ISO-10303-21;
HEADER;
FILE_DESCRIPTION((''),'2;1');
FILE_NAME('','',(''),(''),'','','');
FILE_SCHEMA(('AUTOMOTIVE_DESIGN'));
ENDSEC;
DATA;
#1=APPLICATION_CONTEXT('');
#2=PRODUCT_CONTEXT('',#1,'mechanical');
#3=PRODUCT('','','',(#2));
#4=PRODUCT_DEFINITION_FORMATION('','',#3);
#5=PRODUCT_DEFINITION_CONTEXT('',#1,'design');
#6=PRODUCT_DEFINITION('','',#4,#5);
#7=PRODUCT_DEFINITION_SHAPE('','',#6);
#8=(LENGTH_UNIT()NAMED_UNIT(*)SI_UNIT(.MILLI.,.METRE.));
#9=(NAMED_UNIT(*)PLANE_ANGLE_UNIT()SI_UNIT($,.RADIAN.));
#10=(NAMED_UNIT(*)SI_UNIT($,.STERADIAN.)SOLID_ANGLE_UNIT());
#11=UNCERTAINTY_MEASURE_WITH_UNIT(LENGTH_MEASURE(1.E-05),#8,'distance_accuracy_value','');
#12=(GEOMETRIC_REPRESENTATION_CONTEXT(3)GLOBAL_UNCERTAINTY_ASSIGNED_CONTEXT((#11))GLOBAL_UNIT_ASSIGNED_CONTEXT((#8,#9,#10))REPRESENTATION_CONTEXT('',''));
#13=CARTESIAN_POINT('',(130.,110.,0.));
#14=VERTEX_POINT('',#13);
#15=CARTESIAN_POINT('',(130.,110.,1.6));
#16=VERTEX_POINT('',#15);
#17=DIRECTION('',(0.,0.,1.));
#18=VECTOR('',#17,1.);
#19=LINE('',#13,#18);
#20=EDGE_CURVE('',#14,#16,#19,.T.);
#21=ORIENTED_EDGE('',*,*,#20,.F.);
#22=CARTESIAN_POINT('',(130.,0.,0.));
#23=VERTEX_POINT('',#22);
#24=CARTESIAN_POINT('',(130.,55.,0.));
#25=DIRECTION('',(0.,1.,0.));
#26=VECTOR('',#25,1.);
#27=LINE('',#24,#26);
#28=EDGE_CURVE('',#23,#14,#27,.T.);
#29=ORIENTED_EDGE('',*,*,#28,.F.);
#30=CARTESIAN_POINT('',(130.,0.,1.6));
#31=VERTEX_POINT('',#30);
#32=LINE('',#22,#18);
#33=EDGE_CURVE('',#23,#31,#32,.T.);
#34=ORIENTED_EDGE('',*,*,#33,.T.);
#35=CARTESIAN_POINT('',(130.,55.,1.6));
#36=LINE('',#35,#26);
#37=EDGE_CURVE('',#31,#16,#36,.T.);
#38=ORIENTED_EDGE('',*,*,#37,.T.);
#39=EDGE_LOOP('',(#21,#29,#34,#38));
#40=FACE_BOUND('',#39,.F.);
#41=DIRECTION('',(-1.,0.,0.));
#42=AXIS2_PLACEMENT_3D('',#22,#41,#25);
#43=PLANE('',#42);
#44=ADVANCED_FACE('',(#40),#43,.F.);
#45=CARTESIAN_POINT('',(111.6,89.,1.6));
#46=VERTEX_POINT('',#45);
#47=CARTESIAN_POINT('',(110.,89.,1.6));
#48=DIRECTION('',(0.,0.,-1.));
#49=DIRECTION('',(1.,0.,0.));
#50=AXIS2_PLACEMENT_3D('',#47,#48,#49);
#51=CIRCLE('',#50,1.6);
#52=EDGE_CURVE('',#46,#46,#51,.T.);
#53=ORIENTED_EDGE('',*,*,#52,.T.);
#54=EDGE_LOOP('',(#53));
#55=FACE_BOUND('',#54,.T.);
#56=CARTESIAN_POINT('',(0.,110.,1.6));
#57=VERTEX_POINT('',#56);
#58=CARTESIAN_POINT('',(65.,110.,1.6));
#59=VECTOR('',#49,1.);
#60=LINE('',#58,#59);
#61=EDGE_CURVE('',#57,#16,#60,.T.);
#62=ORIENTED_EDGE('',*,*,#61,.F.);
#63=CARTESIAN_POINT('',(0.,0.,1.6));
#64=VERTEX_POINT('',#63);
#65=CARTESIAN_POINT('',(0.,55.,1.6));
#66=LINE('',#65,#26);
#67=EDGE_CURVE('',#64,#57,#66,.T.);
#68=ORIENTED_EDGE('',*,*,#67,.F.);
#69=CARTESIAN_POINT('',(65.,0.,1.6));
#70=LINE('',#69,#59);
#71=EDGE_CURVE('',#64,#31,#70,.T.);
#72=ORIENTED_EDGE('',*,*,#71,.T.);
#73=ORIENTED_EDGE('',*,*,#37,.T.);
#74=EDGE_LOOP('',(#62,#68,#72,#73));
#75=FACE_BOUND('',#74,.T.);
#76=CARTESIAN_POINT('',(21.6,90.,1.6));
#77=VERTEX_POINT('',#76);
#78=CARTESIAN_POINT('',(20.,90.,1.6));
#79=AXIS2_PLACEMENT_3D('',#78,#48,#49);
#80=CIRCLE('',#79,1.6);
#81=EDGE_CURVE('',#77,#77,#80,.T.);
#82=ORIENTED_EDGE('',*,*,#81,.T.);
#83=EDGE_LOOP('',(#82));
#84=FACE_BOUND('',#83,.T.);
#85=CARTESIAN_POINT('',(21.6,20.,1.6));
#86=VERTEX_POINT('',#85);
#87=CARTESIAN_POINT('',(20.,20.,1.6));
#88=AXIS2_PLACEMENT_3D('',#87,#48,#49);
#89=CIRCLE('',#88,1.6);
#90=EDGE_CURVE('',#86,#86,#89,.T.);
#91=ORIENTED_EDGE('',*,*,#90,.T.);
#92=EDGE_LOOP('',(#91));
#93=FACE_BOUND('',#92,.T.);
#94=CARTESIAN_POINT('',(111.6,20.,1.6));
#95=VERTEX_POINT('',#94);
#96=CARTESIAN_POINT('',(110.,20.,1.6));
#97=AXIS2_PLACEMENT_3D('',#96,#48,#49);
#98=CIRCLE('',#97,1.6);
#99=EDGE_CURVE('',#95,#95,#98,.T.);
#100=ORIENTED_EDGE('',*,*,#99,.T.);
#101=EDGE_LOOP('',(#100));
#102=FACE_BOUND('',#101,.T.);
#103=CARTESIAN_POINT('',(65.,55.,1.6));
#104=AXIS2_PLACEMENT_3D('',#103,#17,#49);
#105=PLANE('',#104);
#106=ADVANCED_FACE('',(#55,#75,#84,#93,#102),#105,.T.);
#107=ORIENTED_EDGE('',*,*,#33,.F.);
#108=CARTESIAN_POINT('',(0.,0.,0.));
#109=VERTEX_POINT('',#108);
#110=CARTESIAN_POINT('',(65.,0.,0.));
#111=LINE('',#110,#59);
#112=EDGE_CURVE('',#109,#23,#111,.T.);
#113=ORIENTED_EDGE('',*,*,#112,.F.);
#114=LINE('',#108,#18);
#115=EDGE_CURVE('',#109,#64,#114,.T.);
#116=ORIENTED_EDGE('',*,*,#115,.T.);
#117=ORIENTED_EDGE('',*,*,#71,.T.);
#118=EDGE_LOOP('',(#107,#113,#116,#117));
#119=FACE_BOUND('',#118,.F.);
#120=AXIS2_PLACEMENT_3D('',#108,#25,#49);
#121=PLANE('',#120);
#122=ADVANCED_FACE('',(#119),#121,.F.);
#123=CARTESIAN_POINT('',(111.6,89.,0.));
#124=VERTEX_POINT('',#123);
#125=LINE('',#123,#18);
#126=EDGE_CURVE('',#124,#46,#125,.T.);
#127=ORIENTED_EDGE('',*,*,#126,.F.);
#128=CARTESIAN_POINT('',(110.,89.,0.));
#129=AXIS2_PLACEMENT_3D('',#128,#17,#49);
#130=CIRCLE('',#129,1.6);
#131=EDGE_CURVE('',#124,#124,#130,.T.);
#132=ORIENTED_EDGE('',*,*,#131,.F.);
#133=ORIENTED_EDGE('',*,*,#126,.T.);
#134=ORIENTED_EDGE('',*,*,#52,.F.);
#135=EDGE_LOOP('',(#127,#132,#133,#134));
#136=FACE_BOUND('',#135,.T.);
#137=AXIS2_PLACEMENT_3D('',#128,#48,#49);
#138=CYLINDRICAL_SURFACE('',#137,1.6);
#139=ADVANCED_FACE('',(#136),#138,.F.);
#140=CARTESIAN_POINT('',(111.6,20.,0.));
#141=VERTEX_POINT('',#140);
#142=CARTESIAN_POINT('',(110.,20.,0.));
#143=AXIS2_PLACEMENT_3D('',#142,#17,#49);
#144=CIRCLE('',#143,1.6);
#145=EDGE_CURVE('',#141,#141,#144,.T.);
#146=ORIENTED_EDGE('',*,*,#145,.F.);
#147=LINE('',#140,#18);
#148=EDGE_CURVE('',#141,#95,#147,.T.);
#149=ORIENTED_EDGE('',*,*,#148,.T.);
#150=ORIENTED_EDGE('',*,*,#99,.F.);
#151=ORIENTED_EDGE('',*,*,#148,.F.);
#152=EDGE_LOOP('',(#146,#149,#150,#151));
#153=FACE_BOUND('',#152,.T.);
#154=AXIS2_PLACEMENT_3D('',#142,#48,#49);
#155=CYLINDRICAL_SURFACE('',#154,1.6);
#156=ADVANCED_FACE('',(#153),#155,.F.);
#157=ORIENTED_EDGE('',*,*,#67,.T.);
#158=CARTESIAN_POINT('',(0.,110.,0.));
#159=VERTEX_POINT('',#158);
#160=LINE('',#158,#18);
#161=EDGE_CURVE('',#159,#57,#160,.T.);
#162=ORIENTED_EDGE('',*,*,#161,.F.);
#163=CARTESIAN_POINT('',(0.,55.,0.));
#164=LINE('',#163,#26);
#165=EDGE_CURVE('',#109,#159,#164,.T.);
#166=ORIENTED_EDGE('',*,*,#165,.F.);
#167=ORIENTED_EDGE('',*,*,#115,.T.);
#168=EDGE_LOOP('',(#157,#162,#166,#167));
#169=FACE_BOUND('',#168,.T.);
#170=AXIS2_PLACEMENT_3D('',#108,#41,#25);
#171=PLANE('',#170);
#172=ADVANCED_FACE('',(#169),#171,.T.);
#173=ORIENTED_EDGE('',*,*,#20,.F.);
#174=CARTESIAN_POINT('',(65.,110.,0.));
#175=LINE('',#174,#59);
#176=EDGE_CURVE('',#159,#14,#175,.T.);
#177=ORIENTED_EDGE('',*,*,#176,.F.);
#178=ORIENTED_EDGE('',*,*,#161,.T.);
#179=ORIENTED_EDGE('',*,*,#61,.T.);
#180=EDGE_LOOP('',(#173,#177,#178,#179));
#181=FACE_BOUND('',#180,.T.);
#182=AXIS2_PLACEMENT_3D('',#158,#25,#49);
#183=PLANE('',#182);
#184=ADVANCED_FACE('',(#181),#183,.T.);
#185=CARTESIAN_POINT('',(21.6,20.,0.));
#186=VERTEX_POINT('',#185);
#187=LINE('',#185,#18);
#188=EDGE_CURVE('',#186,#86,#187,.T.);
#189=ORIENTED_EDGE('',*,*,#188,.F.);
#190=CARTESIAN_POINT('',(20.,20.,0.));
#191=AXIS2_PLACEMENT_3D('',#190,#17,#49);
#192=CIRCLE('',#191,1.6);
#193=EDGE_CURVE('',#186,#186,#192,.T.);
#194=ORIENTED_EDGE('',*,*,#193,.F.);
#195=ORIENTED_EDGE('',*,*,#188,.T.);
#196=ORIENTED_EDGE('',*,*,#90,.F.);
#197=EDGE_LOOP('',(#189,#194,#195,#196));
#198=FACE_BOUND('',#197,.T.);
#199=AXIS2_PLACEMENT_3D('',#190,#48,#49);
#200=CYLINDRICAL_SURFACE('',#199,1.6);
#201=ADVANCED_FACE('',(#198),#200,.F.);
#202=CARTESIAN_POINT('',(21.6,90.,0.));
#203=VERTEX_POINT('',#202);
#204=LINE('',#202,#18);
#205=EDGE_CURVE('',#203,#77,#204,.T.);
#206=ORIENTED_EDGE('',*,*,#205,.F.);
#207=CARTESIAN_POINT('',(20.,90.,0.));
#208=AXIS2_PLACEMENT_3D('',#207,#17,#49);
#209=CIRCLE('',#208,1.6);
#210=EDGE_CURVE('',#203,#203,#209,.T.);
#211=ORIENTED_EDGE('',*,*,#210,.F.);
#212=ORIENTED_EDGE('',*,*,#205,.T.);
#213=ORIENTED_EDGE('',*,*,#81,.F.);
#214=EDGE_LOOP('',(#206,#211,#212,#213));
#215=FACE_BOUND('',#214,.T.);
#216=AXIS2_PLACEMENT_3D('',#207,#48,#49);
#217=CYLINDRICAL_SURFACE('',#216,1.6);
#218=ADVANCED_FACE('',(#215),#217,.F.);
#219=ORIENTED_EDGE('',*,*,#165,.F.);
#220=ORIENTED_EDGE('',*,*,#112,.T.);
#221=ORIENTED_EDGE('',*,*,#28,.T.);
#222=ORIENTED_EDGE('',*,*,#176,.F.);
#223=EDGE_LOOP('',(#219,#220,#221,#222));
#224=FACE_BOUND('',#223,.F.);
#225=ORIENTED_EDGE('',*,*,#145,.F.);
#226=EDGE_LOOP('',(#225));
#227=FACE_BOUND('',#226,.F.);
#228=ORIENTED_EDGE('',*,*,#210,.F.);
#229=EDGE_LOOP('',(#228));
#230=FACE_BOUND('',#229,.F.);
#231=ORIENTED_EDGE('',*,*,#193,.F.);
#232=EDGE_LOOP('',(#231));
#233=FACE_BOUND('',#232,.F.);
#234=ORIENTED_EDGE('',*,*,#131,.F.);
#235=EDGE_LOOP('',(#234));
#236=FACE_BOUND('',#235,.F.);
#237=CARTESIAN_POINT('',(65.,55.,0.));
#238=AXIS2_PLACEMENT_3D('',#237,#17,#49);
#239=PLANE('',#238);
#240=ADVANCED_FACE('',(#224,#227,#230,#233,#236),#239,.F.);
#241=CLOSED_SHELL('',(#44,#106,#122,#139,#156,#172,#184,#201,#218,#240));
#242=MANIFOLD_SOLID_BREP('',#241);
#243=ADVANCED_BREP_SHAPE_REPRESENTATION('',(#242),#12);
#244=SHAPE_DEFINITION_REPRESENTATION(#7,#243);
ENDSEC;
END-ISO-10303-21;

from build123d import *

# Parameters (mm, degrees)
SKETCH_W     = 130
SKETCH_H     = 110
PAD_DEPTH    = 1.6
SKETCH001_R  = 1.6
POCKET_DEPTH = 5


with BuildPart() as part:
    # Sketch → Pad (new body)
    with BuildSketch(Plane.XY):
        with Locations((65, 55)):
            Rectangle(SKETCH_W, SKETCH_H)
    extrude(amount=PAD_DEPTH)

    # Sketch001 → Pocket (cut)
    with BuildSketch(Plane.XY):
        with Locations((20, 20)):
            Circle(SKETCH001_R)
        with Locations((110, 89)):
            Circle(SKETCH001_R)
        with Locations((20, 90)):
            Circle(SKETCH001_R)
        with Locations((110, 20)):
            Circle(SKETCH001_R)
    extrude(amount=POCKET_DEPTH, mode=Mode.SUBTRACT)


solid = part.part
